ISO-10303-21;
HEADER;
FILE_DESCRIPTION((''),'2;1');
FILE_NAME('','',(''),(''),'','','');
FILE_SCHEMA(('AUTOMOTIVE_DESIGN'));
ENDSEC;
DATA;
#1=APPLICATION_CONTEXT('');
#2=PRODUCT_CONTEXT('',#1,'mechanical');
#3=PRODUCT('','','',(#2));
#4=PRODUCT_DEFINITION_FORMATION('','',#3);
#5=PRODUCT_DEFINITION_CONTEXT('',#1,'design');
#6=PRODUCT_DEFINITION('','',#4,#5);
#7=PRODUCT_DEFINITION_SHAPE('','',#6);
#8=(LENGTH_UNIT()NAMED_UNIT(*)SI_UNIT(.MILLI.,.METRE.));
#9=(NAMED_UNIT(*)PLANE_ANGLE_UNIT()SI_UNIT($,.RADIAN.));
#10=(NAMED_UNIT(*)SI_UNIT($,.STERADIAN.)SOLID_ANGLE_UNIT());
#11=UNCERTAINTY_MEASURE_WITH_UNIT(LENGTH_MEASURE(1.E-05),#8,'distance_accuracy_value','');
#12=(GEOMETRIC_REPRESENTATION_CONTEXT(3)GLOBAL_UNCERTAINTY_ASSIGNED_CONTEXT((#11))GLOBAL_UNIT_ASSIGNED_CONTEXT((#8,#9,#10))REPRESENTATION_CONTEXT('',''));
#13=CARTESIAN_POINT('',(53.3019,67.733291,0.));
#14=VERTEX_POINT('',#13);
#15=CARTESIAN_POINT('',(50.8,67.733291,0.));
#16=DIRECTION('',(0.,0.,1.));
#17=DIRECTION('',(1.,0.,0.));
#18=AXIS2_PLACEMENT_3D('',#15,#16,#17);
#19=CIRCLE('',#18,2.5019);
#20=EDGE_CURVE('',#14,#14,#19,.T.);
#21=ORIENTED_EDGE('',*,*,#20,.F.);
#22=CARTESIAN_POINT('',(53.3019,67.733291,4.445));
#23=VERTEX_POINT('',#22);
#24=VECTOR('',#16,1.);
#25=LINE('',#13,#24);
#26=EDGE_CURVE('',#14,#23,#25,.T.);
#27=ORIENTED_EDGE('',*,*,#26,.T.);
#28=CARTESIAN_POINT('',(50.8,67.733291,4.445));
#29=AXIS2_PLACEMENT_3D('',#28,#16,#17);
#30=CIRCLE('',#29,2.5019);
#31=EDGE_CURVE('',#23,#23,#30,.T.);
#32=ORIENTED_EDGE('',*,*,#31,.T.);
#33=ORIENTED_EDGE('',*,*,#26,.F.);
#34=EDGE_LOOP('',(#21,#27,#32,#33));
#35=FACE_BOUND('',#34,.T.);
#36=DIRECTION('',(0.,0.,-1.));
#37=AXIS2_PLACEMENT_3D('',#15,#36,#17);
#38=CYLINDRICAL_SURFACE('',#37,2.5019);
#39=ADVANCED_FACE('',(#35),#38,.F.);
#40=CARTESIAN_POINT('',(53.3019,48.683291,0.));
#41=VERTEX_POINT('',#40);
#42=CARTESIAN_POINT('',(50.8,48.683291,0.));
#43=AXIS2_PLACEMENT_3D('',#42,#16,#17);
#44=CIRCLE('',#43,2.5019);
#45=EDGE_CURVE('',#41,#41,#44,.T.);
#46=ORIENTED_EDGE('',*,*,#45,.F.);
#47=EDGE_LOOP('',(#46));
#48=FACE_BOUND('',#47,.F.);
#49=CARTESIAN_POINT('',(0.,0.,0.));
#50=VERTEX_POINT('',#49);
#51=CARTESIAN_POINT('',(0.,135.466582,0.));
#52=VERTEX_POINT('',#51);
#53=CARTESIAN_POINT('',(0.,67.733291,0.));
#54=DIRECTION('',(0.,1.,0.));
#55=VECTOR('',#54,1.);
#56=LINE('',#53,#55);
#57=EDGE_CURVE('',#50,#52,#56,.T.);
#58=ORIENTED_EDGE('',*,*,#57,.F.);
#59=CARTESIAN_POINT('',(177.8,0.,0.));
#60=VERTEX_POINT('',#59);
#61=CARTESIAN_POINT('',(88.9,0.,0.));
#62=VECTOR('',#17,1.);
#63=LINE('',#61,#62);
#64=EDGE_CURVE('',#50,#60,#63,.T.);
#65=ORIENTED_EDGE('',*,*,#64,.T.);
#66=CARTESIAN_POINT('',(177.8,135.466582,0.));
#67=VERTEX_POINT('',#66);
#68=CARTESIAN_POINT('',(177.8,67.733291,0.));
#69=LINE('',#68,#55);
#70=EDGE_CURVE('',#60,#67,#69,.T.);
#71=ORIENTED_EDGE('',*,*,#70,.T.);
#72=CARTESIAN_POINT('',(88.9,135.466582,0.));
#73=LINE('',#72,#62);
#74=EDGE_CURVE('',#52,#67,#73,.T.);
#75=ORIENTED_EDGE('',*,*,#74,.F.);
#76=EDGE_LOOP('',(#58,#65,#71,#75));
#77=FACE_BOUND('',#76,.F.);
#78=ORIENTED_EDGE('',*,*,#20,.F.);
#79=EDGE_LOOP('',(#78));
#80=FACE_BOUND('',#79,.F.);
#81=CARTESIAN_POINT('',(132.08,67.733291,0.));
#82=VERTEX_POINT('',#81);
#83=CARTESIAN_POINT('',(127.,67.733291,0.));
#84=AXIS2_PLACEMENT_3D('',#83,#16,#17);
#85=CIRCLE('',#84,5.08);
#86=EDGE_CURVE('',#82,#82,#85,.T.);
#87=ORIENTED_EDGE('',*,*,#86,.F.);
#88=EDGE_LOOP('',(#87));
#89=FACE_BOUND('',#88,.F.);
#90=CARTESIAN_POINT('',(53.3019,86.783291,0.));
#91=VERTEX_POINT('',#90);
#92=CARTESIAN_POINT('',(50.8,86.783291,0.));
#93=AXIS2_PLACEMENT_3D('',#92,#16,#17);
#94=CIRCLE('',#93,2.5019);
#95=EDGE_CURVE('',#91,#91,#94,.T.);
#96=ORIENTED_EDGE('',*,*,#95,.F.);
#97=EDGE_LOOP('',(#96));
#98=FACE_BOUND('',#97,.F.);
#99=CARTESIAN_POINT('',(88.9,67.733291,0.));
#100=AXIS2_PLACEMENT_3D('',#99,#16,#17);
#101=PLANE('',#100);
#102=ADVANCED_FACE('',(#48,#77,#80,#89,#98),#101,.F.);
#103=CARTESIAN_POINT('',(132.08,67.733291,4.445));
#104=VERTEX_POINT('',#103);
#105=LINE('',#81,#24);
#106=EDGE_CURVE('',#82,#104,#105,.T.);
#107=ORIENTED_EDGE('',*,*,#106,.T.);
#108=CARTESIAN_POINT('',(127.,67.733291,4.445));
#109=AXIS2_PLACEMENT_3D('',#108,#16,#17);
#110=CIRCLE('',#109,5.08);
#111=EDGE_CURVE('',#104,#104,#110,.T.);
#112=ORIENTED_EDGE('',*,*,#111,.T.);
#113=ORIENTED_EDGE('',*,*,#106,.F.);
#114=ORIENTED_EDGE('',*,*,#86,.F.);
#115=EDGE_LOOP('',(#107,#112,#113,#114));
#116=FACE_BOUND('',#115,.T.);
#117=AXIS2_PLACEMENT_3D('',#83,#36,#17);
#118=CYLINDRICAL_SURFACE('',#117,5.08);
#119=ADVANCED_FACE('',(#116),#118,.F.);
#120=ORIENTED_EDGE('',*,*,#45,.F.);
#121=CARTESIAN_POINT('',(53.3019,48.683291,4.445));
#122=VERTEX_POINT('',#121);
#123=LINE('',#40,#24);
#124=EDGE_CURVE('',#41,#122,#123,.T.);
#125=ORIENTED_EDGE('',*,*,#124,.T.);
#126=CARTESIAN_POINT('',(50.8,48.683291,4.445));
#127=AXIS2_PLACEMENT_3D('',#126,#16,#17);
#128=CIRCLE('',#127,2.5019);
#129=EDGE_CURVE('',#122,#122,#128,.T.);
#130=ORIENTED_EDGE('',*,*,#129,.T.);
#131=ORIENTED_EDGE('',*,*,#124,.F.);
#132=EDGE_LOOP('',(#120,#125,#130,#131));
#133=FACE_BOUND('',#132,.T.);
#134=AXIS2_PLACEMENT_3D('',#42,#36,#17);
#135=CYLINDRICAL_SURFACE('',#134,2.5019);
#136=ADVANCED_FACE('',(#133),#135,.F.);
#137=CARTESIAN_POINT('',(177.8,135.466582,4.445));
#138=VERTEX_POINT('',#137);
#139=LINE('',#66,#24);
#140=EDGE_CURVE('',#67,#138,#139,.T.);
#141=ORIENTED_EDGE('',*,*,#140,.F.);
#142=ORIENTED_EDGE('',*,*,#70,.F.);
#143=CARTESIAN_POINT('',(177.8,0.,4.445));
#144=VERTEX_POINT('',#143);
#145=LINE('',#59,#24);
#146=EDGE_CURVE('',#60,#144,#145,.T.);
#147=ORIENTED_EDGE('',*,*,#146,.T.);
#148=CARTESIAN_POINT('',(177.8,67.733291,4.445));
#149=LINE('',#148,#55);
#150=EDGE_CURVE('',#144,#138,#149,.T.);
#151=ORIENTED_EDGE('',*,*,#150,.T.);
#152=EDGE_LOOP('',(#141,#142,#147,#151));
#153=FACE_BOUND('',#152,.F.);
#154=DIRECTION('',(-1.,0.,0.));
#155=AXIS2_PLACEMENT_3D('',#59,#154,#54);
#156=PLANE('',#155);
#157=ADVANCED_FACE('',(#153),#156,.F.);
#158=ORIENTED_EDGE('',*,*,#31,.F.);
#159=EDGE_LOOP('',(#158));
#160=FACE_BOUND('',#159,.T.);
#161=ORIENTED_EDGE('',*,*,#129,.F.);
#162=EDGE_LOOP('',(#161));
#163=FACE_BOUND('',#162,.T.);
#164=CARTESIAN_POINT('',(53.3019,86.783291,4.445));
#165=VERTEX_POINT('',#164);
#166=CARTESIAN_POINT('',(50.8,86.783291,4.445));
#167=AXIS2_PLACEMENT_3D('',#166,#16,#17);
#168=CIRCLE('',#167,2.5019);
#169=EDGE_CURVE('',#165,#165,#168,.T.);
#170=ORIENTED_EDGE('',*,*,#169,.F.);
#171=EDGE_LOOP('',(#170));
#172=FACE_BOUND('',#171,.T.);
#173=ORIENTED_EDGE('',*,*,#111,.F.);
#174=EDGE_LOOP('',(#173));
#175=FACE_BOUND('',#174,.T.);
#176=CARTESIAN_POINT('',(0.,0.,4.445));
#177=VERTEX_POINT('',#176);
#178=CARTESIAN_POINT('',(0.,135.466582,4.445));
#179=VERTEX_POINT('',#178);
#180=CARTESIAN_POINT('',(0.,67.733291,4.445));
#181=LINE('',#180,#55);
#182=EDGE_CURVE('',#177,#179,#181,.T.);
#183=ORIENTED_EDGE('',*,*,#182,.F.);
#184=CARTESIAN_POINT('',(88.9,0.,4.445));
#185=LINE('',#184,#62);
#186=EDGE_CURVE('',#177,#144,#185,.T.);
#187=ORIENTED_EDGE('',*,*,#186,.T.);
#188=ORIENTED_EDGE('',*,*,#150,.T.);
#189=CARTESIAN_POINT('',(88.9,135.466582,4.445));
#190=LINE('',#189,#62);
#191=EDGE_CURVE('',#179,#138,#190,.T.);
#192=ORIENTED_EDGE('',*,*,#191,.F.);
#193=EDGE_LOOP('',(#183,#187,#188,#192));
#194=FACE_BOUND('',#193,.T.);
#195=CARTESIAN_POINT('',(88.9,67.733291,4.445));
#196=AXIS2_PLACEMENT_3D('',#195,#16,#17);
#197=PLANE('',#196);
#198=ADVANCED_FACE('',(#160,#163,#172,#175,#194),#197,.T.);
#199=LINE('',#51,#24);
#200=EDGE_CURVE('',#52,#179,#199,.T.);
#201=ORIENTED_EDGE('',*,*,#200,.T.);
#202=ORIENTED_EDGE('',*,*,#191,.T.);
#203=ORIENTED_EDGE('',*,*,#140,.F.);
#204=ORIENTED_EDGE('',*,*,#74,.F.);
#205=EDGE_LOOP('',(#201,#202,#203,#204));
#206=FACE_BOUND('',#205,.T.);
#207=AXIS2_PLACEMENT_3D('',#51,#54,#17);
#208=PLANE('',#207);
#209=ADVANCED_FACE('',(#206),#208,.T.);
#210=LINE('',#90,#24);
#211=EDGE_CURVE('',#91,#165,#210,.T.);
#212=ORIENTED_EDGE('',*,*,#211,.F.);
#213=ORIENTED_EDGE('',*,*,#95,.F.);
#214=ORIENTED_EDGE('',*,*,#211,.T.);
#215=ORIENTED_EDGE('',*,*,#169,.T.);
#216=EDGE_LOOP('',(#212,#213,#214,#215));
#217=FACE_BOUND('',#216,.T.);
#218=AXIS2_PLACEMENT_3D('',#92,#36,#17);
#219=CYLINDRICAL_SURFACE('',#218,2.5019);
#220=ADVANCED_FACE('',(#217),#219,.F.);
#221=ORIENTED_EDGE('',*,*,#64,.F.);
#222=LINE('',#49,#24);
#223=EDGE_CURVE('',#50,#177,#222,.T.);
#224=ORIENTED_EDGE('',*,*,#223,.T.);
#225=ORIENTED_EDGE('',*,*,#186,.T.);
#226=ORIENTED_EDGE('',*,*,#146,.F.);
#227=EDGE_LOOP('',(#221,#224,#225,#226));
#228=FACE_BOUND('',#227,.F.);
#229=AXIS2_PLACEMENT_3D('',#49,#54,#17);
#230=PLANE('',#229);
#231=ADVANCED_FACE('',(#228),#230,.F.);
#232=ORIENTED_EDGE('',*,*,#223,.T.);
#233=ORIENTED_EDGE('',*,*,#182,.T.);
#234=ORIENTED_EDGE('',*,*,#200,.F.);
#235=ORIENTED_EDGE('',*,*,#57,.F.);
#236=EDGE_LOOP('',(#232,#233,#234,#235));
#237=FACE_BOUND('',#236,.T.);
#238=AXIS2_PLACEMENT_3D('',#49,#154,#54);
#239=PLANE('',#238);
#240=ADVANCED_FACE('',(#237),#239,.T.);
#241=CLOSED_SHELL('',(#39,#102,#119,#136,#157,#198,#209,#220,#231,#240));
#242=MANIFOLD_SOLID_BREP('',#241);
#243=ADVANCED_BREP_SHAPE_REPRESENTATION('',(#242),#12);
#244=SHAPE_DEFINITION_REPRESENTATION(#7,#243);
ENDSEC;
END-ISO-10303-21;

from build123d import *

# Parameters (mm, degrees)
F0_W     = 177.8
F0_H     = 135.466582
F0_R     = 2.5019
F0_R_2   = 5.08
F1_DEPTH = 4.445


with BuildPart() as f1:
    # F0 (on Top) → F1 (new body)
    with BuildSketch(Plane.XY):
        with Locations((88.9, 67.733291)):
            Rectangle(F0_W, F0_H)
        with Locations((50.8, 48.683291)):
            Circle(F0_R, mode=Mode.SUBTRACT)
        with Locations((50.8, 67.733291)):
            Circle(F0_R, mode=Mode.SUBTRACT)
        with Locations((50.8, 86.783291)):
            Circle(F0_R, mode=Mode.SUBTRACT)
        with Locations((127, 67.733291)):
            Circle(F0_R_2, mode=Mode.SUBTRACT)
    extrude(amount=F1_DEPTH)


solid = f1.part
